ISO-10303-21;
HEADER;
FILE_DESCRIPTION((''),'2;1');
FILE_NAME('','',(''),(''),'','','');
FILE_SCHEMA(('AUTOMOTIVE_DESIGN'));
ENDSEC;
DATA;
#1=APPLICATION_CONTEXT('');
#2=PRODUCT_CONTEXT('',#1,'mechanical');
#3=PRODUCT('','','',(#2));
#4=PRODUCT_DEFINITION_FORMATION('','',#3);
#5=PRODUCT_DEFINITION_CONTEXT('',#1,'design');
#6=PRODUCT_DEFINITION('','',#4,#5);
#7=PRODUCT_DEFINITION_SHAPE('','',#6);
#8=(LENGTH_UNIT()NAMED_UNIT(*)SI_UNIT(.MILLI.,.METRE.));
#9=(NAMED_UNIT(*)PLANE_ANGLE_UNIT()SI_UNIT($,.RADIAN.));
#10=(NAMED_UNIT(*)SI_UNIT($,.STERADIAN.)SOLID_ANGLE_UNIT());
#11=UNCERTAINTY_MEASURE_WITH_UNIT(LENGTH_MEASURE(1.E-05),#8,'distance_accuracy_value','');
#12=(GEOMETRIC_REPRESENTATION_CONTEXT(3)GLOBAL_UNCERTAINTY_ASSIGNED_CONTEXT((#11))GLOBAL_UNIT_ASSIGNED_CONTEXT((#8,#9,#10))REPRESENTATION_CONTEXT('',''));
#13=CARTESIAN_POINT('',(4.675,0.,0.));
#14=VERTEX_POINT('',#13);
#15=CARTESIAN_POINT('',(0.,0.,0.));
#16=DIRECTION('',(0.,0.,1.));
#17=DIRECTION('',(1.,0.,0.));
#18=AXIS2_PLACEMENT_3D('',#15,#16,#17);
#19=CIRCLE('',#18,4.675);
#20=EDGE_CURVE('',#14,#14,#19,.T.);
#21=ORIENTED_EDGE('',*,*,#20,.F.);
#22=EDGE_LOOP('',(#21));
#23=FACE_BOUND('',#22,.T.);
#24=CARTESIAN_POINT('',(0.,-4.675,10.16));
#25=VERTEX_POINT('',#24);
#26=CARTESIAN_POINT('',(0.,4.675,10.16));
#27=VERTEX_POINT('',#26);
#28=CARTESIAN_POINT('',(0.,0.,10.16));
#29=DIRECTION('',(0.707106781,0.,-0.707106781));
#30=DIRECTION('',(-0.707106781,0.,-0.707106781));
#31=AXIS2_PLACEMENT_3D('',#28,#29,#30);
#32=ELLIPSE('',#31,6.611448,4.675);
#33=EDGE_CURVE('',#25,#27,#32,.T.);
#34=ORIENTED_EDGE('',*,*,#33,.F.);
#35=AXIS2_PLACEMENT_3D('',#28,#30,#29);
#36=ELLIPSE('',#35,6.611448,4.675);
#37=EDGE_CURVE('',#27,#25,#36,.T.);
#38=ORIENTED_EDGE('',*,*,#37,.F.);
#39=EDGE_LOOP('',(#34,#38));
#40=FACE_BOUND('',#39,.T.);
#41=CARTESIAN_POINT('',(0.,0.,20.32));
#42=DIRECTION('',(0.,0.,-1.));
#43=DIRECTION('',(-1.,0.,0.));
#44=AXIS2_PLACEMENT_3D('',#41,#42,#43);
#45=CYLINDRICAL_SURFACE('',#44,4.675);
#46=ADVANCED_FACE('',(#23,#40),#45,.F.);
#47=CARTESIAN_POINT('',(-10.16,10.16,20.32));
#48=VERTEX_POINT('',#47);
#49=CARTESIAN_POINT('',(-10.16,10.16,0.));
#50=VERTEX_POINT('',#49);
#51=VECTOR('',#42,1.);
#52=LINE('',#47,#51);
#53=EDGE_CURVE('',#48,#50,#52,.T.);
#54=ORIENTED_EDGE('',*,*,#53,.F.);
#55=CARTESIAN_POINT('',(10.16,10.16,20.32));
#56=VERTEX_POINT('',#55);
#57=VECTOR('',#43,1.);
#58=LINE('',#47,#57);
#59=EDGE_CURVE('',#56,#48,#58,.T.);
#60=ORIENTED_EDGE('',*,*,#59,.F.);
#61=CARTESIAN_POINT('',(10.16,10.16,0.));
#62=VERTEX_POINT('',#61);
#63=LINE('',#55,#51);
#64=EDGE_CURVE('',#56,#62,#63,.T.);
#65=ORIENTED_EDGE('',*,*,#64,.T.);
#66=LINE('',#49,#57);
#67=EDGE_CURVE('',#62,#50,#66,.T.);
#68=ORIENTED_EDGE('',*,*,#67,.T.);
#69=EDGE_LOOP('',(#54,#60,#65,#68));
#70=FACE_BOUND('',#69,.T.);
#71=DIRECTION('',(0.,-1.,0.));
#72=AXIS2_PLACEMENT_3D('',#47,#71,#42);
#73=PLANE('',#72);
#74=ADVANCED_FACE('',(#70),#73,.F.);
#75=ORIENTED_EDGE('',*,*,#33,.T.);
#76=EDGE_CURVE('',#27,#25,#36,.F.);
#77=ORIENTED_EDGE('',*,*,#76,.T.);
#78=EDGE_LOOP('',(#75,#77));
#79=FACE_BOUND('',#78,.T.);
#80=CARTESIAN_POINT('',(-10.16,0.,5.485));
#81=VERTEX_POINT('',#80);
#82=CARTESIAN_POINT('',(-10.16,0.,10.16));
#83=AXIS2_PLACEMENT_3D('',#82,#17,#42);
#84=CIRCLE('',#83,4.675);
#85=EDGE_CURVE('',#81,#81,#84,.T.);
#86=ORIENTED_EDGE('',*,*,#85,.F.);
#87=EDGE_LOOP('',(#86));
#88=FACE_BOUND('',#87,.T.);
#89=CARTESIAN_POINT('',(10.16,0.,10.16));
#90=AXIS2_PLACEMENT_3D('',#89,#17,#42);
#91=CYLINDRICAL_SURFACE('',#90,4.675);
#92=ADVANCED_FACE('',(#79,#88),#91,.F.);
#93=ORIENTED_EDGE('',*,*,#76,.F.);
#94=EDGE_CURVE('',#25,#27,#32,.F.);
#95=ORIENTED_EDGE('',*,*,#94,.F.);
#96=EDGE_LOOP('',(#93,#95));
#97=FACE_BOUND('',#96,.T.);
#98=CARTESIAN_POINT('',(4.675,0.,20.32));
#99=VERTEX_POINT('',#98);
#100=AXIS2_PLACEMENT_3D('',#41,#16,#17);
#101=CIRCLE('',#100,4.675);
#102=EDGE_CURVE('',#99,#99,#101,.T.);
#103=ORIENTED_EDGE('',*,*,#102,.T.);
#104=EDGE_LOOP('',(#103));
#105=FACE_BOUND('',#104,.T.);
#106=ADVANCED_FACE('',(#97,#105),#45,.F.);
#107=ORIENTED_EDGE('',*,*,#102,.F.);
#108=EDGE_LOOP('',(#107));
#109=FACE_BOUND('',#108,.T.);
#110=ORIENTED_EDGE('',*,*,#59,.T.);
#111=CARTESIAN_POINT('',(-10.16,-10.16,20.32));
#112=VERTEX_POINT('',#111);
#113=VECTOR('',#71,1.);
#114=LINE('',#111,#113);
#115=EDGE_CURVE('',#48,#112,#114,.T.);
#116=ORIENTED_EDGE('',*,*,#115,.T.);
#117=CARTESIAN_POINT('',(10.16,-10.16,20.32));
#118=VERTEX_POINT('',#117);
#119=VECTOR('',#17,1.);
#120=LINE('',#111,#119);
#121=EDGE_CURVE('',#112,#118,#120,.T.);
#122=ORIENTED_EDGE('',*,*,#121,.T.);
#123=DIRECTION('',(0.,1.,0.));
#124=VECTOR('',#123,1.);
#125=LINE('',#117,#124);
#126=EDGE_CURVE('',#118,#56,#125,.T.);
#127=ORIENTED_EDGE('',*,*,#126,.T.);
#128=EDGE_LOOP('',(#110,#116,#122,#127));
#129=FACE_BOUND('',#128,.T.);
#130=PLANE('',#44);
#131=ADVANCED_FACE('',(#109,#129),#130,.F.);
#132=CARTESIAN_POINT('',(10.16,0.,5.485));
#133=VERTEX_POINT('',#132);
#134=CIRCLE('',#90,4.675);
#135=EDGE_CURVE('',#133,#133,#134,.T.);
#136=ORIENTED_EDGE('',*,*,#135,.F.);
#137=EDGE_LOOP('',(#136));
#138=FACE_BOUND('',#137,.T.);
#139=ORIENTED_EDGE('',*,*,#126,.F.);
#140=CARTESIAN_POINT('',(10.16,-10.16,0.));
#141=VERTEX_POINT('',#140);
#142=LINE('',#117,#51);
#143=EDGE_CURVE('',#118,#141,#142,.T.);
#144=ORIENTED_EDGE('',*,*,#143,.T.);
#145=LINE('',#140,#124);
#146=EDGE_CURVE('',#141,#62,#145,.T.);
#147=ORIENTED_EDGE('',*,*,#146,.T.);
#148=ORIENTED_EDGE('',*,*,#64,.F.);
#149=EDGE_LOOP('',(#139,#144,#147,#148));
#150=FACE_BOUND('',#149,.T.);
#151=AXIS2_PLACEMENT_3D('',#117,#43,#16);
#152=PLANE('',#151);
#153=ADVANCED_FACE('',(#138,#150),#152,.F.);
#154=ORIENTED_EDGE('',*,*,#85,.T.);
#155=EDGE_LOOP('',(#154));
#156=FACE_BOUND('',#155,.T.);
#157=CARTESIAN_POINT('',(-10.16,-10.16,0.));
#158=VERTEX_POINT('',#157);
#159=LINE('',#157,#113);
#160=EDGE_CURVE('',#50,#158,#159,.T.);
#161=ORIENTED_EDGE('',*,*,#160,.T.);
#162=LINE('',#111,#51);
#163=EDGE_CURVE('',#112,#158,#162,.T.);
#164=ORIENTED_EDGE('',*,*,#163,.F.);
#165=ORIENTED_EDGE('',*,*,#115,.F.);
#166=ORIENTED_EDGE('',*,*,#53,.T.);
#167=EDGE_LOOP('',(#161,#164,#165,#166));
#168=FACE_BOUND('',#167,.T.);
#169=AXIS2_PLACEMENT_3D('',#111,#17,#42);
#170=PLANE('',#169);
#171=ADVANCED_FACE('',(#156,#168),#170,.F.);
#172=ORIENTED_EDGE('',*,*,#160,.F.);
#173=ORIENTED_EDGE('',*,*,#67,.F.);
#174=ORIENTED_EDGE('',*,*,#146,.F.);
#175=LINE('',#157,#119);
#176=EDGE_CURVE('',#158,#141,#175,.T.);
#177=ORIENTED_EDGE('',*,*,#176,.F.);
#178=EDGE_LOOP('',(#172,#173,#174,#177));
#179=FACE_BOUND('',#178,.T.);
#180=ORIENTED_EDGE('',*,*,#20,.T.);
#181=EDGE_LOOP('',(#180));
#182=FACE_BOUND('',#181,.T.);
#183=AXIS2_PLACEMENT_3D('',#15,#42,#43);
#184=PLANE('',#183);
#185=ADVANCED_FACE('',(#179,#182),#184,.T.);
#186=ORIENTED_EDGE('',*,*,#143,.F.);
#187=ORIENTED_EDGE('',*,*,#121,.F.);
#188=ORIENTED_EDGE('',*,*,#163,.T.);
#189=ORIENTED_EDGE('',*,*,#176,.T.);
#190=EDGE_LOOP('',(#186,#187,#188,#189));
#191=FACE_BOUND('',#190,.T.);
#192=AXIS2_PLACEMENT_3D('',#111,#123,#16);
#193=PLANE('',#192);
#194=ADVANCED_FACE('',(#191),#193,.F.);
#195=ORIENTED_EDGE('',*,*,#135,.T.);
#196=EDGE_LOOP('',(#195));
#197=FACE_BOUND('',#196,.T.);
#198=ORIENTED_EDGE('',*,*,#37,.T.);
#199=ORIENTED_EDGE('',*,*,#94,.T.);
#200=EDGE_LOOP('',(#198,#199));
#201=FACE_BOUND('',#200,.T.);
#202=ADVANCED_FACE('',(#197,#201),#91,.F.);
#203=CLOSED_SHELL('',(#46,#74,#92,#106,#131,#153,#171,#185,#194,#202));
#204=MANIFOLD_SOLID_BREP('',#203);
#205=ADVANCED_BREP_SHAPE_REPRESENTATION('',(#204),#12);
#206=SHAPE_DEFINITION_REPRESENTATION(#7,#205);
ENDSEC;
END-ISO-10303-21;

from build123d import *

# Parameters (mm, degrees)
SKETCH1_W                      = 20.32
SKETCH1_H                      = 20.32
SKETCH1_R                      = 4.675
BOSS_EXTRUDE1_DEPTH            = 20.32
F_20_0_20_DIAMETER_HOLE1_D     = 9.35
F_20_0_20_DIAMETER_HOLE1_DEPTH = 20.32
F_20_0_20_DIAMETER_HOLE1_TIP   = 2.809023394


with BuildPart() as part:
    # Sketch1 → Boss-Extrude1 (new body)
    with BuildSketch(Plane.XY):
        Rectangle(SKETCH1_W, SKETCH1_H)
        Circle(SKETCH1_R, mode=Mode.SUBTRACT)
    extrude(amount=BOSS_EXTRUDE1_DEPTH)

    # Ø20.0 (20) Diameter Hole1
    with Locations(Plane(origin=(10.16, 0, 0), x_dir=(0, 0, -1), z_dir=(1, 0, 0))):
        with Locations((-10.16, 0)):
            Hole(F_20_0_20_DIAMETER_HOLE1_D / 2, depth=F_20_0_20_DIAMETER_HOLE1_DEPTH)
            with Locations((0, 0, -(F_20_0_20_DIAMETER_HOLE1_DEPTH + F_20_0_20_DIAMETER_HOLE1_TIP / 2))):  # 118° drill point
                Cone(0, F_20_0_20_DIAMETER_HOLE1_D / 2, F_20_0_20_DIAMETER_HOLE1_TIP, mode=Mode.SUBTRACT)


solid = part.part
